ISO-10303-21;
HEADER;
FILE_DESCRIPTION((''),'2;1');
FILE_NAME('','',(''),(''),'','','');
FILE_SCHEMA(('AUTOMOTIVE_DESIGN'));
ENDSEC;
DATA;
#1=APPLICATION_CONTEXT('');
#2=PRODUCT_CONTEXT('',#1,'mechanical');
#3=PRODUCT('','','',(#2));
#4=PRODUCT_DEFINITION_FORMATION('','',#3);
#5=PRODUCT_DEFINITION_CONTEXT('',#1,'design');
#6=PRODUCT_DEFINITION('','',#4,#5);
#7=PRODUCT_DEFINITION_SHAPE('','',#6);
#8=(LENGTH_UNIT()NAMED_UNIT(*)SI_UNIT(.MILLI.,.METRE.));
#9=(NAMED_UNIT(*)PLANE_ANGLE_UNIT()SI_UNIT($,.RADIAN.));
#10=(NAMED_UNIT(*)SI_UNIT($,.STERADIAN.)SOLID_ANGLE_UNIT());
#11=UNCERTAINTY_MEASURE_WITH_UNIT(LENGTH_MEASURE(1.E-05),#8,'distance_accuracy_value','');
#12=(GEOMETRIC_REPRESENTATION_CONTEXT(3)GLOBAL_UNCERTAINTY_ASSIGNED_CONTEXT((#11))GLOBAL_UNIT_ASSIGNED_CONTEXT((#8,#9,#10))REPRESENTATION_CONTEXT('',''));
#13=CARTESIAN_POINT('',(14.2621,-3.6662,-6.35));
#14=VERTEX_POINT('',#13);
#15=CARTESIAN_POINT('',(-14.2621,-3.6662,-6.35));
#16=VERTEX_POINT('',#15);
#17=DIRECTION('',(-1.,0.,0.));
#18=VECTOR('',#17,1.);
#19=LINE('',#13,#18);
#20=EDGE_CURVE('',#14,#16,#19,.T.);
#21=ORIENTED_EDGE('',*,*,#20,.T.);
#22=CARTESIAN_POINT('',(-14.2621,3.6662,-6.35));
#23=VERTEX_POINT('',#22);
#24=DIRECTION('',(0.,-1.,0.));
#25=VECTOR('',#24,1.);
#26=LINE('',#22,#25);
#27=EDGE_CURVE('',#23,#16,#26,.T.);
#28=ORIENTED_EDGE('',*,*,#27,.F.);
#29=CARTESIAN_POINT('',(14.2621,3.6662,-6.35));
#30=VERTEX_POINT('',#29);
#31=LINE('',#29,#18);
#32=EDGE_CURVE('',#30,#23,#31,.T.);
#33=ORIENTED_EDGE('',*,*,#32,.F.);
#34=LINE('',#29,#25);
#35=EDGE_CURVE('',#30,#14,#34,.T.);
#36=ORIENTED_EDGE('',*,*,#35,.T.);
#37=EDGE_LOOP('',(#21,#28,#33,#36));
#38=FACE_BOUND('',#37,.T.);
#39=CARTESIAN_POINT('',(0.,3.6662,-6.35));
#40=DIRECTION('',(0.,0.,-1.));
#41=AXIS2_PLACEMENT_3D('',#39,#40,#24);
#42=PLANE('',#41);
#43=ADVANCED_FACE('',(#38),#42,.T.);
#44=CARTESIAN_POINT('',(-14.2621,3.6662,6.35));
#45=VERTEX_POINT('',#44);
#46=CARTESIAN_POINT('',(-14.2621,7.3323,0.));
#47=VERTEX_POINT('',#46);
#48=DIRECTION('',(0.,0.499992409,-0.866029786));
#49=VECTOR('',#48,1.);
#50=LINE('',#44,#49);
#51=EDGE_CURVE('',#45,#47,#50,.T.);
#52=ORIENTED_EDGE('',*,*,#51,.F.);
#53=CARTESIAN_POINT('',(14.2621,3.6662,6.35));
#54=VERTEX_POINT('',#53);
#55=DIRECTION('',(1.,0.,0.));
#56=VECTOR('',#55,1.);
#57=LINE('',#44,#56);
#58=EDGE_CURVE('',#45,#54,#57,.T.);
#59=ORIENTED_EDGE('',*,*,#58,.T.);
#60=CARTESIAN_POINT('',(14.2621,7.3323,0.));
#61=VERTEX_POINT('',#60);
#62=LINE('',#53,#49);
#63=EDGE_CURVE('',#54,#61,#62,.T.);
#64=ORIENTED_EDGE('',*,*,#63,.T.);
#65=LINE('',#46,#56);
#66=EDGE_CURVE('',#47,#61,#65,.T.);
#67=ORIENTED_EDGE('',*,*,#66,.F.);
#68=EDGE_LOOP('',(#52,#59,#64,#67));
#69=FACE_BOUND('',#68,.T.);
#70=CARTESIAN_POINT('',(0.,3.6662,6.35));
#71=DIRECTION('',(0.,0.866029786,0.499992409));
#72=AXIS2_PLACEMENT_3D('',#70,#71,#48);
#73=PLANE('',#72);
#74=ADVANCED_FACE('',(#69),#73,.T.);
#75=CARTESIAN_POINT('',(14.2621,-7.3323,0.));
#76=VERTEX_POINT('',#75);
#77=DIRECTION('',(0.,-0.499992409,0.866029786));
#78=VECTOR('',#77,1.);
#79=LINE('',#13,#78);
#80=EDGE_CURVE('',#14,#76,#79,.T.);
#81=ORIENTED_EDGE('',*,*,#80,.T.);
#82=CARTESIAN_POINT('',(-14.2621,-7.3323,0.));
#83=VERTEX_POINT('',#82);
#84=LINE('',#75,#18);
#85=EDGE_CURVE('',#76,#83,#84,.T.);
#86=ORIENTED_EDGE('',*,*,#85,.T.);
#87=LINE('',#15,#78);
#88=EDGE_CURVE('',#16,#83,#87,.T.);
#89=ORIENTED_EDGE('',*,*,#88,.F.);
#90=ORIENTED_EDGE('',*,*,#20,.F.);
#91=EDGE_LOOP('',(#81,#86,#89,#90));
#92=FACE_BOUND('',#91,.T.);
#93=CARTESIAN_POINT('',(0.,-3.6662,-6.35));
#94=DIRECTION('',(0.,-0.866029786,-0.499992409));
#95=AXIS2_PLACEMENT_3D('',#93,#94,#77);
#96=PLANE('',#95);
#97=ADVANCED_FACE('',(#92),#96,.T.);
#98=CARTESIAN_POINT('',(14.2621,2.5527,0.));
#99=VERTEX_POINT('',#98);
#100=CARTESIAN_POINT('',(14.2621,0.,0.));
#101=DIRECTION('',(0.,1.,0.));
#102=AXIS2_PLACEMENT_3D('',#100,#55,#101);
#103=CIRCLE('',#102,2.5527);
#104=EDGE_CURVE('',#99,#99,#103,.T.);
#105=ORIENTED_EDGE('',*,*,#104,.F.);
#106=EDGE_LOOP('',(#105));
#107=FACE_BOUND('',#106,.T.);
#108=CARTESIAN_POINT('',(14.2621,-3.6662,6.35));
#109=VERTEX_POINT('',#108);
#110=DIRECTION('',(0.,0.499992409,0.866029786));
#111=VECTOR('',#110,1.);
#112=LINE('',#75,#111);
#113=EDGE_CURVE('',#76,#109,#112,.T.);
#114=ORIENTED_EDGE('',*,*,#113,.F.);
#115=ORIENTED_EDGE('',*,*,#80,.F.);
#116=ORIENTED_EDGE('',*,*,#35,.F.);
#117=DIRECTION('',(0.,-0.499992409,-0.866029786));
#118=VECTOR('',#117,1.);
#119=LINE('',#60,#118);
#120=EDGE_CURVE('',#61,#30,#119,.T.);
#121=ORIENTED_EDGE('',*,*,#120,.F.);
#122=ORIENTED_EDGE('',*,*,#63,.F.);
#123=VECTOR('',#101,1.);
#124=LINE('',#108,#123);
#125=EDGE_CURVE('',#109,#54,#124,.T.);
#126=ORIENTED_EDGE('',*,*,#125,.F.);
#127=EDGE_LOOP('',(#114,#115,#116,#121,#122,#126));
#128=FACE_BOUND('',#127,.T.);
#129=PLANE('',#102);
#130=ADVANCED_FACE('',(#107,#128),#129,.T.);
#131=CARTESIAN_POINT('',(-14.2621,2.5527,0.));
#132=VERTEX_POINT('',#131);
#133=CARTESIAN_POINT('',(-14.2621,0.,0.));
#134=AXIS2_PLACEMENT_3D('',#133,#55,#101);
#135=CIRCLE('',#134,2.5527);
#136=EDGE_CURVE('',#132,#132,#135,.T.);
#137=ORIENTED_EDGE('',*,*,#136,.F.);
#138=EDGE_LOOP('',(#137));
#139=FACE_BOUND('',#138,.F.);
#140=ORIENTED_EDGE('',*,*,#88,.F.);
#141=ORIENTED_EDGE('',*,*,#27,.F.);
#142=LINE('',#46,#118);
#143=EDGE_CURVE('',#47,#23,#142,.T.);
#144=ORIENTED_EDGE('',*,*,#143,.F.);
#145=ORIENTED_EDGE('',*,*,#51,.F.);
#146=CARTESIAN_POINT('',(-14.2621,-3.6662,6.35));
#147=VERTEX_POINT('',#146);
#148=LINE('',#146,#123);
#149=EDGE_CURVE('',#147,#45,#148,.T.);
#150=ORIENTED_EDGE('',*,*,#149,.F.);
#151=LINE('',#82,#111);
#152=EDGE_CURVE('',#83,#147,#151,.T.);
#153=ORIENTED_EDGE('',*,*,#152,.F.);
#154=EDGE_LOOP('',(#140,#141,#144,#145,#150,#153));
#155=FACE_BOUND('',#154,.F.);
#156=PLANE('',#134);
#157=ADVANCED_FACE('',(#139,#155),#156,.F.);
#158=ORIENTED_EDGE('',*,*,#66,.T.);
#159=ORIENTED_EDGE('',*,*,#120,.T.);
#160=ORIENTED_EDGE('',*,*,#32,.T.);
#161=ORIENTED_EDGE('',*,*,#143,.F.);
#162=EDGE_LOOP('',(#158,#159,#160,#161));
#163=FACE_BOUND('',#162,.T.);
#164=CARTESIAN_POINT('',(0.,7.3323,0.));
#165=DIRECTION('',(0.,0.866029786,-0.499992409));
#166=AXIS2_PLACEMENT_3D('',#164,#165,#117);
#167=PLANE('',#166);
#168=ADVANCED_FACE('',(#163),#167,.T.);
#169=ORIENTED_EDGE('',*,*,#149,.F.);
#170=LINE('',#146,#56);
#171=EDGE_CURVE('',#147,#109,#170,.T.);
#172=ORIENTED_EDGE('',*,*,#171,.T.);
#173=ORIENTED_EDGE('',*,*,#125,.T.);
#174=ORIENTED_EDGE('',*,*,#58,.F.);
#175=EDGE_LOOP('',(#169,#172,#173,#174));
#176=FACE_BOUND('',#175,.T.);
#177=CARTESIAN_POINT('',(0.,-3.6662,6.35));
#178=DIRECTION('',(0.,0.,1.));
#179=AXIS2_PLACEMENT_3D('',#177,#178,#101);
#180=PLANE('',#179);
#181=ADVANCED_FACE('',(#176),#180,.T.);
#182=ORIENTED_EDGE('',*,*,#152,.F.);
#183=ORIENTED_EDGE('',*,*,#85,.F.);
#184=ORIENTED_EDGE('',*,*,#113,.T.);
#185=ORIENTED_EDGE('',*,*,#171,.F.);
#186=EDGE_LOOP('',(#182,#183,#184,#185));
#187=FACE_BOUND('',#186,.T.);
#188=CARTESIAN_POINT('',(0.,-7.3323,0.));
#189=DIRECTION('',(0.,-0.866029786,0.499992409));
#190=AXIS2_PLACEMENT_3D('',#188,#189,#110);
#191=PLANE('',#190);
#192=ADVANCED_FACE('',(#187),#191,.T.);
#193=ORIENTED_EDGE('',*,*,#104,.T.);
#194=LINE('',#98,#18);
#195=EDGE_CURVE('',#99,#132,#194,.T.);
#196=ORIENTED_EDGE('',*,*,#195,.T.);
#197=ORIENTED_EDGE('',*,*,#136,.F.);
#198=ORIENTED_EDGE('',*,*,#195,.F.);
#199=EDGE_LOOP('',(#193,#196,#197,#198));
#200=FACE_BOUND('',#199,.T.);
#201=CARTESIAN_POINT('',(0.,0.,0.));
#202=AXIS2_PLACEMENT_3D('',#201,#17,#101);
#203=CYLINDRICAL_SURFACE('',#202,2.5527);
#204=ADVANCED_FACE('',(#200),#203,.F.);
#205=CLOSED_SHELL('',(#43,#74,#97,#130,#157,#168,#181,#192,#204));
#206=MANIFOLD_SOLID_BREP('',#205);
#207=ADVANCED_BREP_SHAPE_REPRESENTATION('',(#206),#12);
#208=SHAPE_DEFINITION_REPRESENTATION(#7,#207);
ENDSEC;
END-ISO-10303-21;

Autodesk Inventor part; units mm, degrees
ref_plane "YZ Plane" through (0, 0, 0) normal (1, 0, 0) x (0, 1, 0)
ref_plane "XZ Plane" through (0, 0, 0) normal (0, 1, 0) x (-1, 0, 0)
ref_plane "XY Plane" through (0, 0, 0) normal (0, 0, 1) x (1, 0, 0)
sketch "Sketch1" plane through (0, 0, 0) normal (1, 0, 0) x (0, 1, 0)
  line L0 (7.3323, 0) -> (3.6662, -6.35)
  line L1 (3.6662, -6.35) -> (-3.6662, -6.35)
  line L2 (-3.6662, -6.35) -> (-7.3323, 0)
  line L3 (-7.3323, 0) -> (-3.6662, 6.35)
  line L4 (-3.6662, 6.35) -> (3.6662, 6.35)
  line L5 (3.6662, 6.35) -> (7.3323, 0)
  circle A0 centre (0, 0) radius 2.5527
  point P0 (0, -6.35)
  point P1 (0, 6.35)
  dimension "d0" = 5.1054
  dimension "d1" = 12.7
extrude "Extrusion1" add sketch "Sketch1" along normal mid plane 28.5242
properties part number "1.123 in. Hex Shaft" material "Aluminum 6061"
